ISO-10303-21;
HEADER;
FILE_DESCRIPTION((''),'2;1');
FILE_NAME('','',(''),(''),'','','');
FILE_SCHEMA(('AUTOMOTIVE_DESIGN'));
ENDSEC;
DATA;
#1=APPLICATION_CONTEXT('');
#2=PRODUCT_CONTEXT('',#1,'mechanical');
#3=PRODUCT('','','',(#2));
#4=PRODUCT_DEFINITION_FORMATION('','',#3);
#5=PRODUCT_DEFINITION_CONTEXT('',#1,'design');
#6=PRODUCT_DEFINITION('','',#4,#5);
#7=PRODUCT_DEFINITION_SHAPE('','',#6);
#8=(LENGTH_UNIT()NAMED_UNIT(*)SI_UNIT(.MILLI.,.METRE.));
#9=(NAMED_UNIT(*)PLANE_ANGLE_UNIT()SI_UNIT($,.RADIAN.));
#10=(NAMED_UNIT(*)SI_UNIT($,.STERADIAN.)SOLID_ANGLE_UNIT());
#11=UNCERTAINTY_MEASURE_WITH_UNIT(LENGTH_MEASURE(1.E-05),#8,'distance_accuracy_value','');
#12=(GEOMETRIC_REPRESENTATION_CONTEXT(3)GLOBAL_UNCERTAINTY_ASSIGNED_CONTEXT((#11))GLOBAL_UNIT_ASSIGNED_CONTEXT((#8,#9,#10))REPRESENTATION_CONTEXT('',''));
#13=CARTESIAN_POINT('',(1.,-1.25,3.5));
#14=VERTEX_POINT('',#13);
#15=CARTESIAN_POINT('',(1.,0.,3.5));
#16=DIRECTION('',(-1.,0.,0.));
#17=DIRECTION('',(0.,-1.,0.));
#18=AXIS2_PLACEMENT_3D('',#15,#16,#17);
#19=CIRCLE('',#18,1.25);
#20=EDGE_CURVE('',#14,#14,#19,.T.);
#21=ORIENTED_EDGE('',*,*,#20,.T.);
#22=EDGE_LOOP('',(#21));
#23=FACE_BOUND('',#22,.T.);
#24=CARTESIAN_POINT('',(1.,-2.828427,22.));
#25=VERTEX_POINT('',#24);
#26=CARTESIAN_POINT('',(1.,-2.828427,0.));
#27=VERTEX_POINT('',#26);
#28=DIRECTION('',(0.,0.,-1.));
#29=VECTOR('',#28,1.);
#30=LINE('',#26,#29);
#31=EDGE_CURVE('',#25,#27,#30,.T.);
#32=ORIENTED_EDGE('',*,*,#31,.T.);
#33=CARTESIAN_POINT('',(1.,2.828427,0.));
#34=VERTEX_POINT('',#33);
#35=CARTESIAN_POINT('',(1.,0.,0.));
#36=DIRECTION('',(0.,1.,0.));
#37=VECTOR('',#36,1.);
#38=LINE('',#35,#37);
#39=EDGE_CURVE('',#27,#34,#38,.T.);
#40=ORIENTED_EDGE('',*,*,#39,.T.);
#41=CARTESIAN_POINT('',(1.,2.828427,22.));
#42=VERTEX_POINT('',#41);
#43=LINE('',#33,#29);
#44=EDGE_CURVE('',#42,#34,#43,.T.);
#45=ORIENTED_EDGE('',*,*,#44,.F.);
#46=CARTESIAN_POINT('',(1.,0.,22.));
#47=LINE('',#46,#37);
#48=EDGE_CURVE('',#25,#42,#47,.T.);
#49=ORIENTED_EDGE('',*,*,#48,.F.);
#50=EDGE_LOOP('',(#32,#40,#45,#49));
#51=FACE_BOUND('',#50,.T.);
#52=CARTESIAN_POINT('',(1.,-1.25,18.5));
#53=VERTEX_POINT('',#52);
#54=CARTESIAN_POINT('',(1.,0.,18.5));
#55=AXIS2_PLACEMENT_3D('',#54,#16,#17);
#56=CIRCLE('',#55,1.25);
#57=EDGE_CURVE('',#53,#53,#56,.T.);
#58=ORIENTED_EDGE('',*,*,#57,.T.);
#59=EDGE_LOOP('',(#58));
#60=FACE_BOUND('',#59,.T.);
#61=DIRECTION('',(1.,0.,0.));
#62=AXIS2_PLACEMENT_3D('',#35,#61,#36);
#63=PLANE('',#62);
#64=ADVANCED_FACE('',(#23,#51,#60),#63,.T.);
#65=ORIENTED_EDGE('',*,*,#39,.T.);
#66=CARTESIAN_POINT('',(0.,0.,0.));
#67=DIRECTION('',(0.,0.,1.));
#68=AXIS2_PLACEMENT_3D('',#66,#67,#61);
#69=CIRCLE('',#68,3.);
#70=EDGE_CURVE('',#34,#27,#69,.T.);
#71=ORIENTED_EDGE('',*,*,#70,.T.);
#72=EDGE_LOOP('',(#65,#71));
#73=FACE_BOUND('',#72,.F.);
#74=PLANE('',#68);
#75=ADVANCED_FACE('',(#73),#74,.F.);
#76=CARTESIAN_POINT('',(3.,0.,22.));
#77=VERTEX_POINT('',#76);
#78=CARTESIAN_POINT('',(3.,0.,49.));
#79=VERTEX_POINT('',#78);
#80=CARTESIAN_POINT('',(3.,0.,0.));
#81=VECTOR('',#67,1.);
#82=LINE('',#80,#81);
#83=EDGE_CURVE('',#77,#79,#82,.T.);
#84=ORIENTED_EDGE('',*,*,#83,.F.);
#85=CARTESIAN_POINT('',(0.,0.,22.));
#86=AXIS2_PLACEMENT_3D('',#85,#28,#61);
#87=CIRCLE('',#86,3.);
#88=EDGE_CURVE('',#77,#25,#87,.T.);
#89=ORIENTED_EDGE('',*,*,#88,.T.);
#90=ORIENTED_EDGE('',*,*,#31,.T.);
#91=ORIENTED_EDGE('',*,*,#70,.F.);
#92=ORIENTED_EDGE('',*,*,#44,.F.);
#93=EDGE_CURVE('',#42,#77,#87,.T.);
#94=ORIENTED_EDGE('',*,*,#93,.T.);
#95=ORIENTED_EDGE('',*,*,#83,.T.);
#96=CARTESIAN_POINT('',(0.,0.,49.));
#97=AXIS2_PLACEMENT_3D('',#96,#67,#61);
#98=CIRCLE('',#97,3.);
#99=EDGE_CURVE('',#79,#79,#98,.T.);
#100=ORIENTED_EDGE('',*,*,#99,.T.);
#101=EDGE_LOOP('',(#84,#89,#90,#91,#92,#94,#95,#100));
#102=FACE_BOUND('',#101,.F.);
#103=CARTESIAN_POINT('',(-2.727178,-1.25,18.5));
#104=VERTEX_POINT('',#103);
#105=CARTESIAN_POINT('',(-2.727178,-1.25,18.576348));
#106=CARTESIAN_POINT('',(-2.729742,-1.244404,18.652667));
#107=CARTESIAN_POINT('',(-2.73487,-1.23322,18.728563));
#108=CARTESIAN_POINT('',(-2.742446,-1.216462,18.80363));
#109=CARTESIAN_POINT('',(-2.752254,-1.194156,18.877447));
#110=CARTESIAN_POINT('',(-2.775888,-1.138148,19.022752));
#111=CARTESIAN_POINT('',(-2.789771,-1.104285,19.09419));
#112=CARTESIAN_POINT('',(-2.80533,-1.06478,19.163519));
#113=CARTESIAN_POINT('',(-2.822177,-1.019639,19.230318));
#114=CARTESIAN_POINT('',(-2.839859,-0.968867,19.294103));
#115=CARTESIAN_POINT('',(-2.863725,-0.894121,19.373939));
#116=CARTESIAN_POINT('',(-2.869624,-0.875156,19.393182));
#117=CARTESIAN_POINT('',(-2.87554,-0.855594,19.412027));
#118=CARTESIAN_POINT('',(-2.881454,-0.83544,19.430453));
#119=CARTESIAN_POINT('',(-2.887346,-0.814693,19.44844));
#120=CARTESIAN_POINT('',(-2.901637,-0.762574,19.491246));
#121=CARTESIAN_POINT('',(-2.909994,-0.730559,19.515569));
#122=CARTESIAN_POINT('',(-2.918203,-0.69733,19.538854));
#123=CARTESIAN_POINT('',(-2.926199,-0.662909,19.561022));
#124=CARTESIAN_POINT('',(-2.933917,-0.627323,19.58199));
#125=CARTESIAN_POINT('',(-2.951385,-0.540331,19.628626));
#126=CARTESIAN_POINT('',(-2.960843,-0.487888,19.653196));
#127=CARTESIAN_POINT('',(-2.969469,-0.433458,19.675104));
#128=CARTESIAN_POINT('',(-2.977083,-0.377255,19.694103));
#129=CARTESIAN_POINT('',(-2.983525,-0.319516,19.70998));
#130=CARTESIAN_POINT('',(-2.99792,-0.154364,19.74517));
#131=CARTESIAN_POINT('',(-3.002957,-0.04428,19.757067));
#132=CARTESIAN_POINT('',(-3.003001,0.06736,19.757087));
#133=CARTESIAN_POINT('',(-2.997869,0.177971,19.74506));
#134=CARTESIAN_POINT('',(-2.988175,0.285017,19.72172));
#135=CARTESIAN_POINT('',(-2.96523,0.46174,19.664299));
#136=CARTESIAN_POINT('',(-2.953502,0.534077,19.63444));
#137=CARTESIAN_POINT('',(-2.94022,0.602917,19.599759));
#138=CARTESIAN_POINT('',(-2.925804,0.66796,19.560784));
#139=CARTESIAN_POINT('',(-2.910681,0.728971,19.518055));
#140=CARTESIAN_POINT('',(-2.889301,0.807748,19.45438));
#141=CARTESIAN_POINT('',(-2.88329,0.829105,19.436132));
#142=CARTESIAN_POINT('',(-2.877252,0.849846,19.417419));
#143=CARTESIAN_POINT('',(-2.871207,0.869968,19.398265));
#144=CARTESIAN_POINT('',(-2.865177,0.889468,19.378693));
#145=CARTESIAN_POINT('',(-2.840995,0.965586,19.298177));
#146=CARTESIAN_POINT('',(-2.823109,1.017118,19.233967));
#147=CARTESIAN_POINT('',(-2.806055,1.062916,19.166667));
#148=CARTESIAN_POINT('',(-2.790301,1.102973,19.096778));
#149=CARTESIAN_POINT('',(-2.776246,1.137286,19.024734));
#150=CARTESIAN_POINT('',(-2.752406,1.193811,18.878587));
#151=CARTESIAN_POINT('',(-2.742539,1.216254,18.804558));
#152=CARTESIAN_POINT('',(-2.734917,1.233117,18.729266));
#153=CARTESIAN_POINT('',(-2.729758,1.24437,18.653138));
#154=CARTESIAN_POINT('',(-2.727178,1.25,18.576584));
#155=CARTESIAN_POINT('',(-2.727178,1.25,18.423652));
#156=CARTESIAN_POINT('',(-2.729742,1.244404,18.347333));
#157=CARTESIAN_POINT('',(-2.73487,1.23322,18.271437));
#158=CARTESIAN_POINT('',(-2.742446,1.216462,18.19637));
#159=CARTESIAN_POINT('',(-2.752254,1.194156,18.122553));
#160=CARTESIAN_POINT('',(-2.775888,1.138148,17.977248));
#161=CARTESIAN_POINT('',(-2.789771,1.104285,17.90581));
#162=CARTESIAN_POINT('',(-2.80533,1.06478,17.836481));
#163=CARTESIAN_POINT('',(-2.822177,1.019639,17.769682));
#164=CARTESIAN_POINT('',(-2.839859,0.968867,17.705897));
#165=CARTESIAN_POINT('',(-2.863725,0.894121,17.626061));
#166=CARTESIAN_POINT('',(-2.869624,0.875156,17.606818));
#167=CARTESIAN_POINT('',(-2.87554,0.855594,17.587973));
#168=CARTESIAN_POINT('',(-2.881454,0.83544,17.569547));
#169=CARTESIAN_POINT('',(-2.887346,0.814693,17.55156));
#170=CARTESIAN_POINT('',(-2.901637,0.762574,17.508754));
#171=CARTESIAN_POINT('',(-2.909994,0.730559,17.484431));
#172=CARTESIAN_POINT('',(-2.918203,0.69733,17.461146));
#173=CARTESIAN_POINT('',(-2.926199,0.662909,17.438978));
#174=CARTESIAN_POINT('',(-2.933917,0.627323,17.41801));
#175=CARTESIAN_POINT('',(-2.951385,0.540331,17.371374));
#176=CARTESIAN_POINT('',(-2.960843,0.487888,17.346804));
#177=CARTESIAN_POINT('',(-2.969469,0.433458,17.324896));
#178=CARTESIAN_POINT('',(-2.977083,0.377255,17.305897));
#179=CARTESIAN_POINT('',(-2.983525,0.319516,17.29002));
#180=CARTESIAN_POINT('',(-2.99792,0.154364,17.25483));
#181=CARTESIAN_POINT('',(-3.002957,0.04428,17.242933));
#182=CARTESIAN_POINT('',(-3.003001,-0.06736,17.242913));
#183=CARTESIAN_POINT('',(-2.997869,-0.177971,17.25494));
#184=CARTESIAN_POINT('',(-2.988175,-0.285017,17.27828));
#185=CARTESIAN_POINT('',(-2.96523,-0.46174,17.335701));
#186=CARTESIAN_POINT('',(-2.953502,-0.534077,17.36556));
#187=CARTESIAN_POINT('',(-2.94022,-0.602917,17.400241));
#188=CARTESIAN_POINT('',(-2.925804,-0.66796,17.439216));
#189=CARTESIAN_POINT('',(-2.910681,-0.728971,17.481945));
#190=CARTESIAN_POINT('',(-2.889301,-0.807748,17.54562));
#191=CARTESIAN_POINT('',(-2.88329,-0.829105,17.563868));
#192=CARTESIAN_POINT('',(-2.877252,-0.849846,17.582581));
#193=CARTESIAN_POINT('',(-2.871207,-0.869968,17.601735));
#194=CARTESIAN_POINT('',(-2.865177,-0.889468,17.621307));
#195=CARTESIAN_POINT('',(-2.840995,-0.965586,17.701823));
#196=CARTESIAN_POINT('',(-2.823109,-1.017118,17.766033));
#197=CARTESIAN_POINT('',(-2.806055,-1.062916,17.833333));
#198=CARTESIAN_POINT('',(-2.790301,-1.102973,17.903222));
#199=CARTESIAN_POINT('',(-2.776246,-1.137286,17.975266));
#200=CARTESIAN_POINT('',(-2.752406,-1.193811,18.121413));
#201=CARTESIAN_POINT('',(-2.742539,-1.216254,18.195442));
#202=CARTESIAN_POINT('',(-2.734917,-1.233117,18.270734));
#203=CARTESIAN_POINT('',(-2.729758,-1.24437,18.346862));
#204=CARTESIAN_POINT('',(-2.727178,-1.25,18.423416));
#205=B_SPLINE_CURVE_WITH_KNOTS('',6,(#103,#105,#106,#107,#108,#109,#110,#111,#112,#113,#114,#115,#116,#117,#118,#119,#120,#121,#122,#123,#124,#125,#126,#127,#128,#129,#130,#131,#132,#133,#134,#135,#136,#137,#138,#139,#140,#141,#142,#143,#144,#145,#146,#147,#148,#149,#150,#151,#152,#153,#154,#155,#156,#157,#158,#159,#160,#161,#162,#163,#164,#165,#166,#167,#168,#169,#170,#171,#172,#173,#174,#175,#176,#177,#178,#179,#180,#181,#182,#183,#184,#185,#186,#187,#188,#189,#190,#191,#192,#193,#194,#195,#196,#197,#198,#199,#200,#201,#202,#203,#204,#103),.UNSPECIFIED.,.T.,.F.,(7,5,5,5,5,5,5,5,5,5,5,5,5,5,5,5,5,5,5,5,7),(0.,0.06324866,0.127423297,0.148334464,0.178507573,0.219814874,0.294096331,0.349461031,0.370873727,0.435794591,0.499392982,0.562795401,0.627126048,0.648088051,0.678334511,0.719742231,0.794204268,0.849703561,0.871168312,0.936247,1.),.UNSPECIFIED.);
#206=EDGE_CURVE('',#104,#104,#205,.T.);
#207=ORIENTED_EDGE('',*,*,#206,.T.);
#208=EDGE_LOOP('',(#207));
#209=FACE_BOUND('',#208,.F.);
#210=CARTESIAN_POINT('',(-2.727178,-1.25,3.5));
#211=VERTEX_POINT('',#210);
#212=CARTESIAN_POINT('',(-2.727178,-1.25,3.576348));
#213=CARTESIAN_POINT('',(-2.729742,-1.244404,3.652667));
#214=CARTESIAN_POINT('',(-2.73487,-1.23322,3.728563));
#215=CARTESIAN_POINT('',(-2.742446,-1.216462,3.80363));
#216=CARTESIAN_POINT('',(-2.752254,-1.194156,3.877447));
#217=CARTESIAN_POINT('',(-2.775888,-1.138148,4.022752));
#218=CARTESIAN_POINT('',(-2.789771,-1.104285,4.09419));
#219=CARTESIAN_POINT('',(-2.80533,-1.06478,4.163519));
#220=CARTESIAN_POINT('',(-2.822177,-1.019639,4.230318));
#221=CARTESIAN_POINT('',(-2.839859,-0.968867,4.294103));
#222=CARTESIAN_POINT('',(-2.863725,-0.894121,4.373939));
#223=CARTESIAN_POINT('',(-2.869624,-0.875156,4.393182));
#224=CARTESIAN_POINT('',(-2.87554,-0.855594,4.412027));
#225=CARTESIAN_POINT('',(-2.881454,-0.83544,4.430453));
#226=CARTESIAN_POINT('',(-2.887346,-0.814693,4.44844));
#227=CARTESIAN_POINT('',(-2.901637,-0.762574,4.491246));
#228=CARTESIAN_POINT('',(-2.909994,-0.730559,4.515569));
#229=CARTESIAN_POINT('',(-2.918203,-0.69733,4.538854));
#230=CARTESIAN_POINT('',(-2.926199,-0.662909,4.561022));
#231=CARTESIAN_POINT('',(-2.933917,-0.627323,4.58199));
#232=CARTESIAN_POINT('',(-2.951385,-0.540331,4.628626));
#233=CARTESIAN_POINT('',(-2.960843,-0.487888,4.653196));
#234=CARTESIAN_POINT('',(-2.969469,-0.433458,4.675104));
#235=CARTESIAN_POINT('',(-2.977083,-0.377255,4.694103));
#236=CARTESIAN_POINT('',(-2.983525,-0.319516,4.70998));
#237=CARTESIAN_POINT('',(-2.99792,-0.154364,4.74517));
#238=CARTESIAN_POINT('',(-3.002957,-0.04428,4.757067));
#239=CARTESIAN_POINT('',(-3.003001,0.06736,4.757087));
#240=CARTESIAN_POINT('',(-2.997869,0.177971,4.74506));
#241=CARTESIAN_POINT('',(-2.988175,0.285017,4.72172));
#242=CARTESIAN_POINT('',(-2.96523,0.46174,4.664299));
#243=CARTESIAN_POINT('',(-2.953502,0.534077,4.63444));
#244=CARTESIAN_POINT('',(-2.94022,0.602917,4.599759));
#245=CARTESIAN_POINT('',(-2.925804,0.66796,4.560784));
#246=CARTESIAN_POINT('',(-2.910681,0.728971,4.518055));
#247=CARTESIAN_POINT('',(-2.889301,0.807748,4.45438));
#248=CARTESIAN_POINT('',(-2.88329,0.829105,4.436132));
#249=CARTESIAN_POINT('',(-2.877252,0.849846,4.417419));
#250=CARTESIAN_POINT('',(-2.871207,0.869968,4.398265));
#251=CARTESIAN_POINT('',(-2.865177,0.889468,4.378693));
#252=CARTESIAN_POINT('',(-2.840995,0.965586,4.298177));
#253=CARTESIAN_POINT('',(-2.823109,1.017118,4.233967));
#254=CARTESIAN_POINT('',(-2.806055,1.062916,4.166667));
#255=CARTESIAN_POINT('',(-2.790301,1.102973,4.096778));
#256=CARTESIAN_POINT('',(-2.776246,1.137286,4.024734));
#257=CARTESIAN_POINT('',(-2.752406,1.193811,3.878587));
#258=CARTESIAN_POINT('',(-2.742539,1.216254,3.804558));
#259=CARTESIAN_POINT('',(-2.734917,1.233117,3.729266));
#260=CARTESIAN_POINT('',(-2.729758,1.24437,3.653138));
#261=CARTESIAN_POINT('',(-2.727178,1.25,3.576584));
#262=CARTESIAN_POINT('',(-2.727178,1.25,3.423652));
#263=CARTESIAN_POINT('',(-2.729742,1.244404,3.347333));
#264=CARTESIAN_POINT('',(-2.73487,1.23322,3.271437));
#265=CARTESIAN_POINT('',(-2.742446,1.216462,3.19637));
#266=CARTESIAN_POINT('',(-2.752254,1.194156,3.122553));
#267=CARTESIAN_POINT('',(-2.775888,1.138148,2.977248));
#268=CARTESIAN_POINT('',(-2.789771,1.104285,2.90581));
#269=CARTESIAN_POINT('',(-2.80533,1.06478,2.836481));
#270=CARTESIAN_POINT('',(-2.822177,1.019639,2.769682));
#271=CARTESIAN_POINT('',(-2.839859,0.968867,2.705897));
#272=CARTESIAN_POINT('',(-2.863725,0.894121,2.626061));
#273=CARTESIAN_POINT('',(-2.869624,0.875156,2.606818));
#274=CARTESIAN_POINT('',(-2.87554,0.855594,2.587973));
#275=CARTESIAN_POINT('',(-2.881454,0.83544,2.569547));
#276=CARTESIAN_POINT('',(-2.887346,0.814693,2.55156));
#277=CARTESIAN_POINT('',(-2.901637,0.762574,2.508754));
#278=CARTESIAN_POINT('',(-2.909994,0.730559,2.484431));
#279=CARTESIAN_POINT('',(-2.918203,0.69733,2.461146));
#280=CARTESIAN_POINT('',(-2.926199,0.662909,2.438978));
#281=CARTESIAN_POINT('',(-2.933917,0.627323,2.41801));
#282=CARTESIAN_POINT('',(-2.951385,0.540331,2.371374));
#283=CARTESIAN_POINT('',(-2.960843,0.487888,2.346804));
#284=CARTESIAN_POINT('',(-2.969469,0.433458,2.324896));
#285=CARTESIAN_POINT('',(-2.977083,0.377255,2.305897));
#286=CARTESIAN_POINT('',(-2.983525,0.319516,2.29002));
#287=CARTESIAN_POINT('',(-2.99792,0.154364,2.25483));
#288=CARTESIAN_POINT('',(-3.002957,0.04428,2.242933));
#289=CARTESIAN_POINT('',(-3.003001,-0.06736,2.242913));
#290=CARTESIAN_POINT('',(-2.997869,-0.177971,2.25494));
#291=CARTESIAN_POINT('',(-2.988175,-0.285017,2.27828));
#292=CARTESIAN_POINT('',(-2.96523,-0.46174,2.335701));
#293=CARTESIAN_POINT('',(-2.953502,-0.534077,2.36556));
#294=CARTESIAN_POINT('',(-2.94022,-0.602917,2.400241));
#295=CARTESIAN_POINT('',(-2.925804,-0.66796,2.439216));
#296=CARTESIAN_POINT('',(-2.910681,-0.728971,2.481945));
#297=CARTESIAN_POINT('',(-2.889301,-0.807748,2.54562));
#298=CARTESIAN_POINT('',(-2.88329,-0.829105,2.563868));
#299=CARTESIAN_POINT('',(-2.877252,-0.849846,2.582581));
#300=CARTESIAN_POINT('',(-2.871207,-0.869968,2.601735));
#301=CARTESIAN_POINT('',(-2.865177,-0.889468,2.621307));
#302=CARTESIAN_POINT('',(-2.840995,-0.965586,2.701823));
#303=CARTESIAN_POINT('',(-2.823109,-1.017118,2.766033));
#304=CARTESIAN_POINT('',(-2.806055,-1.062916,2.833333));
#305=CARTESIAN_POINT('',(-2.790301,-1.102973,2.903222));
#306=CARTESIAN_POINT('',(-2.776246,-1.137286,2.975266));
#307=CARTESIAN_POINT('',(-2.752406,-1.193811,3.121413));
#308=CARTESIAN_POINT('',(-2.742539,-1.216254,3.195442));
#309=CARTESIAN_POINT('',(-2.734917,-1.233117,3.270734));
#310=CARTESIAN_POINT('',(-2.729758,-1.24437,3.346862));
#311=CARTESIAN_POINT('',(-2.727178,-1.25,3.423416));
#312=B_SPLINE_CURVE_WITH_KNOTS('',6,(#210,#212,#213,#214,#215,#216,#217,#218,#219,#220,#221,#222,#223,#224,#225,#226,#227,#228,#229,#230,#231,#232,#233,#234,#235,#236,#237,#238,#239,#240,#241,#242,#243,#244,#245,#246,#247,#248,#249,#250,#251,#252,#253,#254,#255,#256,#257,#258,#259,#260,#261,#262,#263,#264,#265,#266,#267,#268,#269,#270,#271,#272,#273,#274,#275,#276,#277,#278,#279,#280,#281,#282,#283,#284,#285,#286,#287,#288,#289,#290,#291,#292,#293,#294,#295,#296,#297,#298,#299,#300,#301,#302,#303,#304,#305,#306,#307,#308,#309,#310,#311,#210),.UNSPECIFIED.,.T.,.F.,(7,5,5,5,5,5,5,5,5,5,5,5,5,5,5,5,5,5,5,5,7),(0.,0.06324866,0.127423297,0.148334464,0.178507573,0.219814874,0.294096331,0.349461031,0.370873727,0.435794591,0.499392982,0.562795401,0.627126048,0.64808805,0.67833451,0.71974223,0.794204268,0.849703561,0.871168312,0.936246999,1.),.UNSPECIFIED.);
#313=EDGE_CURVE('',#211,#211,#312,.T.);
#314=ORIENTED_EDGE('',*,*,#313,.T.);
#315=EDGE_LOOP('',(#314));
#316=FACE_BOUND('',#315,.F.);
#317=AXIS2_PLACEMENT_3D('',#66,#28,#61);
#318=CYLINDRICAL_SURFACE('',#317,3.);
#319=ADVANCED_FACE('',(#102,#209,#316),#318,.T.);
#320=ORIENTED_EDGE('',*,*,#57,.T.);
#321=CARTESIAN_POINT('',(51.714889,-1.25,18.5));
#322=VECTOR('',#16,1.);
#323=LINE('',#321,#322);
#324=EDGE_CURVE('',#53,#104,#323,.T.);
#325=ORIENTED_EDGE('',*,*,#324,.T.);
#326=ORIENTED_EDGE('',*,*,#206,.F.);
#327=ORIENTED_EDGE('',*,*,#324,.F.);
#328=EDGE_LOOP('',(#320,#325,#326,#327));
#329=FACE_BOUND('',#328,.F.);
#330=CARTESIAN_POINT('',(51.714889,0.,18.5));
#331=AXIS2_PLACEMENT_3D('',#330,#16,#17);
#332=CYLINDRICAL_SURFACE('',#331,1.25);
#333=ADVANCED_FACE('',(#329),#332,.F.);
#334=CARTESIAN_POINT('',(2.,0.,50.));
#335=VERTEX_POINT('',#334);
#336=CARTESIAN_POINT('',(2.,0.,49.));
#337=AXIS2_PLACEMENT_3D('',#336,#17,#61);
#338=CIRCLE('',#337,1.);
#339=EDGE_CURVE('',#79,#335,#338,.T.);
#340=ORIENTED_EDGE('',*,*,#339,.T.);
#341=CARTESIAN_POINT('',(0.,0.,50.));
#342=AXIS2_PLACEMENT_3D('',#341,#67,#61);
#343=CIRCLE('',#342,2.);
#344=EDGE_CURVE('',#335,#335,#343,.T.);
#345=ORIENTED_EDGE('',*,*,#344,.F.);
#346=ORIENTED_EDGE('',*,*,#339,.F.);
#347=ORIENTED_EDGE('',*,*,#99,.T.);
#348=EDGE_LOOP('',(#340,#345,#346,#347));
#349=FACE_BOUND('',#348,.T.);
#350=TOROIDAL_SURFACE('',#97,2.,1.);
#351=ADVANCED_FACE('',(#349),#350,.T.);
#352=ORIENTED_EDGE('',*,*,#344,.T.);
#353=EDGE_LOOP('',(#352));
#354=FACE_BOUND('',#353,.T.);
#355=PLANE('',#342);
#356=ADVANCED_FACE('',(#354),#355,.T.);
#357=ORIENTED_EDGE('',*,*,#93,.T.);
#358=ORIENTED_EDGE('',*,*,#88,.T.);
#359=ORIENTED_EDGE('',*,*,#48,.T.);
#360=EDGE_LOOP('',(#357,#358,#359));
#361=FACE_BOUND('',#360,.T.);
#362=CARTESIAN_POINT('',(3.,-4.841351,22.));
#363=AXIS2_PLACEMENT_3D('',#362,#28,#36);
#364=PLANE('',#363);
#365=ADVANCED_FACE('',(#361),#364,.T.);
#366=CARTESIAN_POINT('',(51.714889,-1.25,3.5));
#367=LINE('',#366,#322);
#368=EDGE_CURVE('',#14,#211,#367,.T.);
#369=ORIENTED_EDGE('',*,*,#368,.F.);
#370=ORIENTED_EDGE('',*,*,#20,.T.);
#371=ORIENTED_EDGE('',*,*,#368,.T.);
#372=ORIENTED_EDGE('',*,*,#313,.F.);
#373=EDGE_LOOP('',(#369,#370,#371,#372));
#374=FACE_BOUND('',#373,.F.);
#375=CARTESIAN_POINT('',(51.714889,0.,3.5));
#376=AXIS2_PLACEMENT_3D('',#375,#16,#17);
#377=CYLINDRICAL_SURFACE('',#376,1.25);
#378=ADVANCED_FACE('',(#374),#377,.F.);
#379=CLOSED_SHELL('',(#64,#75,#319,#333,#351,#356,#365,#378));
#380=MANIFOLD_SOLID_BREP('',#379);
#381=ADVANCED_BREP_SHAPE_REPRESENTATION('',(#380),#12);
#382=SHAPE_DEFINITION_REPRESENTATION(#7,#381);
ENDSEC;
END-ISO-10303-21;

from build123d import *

# Parameters (mm, degrees)
F0_R     = 3
F1_DEPTH = 50
F2_R     = 1
F4_W     = 9.6827019006
F4_H     = 44
F5_DEPTH = 2
F7_D     = 2.5


with BuildPart() as f1:
    # F0 (on Top) → F1 (new body)
    with BuildSketch(Plane.XY):
        Circle(F0_R)
    extrude(amount=F1_DEPTH)

    # F2
    f2_edges = [f1.edges().sort_by_distance(p)[0] for p in [
        (-3, 0, 50),
    ]]
    fillet(f2_edges, radius=F2_R)

    # F4 (on offset) → F5 (cut)
    with BuildSketch(Plane.YZ.offset(3)):
        Rectangle(F4_W, F4_H)
    extrude(amount=-F5_DEPTH, mode=Mode.SUBTRACT)

    # F7 (through all)
    with Locations(Plane.YZ.offset(1)):
        with Locations((0, 3.5), (0, 18.5)):
            Hole(F7_D / 2)


solid = f1.part
